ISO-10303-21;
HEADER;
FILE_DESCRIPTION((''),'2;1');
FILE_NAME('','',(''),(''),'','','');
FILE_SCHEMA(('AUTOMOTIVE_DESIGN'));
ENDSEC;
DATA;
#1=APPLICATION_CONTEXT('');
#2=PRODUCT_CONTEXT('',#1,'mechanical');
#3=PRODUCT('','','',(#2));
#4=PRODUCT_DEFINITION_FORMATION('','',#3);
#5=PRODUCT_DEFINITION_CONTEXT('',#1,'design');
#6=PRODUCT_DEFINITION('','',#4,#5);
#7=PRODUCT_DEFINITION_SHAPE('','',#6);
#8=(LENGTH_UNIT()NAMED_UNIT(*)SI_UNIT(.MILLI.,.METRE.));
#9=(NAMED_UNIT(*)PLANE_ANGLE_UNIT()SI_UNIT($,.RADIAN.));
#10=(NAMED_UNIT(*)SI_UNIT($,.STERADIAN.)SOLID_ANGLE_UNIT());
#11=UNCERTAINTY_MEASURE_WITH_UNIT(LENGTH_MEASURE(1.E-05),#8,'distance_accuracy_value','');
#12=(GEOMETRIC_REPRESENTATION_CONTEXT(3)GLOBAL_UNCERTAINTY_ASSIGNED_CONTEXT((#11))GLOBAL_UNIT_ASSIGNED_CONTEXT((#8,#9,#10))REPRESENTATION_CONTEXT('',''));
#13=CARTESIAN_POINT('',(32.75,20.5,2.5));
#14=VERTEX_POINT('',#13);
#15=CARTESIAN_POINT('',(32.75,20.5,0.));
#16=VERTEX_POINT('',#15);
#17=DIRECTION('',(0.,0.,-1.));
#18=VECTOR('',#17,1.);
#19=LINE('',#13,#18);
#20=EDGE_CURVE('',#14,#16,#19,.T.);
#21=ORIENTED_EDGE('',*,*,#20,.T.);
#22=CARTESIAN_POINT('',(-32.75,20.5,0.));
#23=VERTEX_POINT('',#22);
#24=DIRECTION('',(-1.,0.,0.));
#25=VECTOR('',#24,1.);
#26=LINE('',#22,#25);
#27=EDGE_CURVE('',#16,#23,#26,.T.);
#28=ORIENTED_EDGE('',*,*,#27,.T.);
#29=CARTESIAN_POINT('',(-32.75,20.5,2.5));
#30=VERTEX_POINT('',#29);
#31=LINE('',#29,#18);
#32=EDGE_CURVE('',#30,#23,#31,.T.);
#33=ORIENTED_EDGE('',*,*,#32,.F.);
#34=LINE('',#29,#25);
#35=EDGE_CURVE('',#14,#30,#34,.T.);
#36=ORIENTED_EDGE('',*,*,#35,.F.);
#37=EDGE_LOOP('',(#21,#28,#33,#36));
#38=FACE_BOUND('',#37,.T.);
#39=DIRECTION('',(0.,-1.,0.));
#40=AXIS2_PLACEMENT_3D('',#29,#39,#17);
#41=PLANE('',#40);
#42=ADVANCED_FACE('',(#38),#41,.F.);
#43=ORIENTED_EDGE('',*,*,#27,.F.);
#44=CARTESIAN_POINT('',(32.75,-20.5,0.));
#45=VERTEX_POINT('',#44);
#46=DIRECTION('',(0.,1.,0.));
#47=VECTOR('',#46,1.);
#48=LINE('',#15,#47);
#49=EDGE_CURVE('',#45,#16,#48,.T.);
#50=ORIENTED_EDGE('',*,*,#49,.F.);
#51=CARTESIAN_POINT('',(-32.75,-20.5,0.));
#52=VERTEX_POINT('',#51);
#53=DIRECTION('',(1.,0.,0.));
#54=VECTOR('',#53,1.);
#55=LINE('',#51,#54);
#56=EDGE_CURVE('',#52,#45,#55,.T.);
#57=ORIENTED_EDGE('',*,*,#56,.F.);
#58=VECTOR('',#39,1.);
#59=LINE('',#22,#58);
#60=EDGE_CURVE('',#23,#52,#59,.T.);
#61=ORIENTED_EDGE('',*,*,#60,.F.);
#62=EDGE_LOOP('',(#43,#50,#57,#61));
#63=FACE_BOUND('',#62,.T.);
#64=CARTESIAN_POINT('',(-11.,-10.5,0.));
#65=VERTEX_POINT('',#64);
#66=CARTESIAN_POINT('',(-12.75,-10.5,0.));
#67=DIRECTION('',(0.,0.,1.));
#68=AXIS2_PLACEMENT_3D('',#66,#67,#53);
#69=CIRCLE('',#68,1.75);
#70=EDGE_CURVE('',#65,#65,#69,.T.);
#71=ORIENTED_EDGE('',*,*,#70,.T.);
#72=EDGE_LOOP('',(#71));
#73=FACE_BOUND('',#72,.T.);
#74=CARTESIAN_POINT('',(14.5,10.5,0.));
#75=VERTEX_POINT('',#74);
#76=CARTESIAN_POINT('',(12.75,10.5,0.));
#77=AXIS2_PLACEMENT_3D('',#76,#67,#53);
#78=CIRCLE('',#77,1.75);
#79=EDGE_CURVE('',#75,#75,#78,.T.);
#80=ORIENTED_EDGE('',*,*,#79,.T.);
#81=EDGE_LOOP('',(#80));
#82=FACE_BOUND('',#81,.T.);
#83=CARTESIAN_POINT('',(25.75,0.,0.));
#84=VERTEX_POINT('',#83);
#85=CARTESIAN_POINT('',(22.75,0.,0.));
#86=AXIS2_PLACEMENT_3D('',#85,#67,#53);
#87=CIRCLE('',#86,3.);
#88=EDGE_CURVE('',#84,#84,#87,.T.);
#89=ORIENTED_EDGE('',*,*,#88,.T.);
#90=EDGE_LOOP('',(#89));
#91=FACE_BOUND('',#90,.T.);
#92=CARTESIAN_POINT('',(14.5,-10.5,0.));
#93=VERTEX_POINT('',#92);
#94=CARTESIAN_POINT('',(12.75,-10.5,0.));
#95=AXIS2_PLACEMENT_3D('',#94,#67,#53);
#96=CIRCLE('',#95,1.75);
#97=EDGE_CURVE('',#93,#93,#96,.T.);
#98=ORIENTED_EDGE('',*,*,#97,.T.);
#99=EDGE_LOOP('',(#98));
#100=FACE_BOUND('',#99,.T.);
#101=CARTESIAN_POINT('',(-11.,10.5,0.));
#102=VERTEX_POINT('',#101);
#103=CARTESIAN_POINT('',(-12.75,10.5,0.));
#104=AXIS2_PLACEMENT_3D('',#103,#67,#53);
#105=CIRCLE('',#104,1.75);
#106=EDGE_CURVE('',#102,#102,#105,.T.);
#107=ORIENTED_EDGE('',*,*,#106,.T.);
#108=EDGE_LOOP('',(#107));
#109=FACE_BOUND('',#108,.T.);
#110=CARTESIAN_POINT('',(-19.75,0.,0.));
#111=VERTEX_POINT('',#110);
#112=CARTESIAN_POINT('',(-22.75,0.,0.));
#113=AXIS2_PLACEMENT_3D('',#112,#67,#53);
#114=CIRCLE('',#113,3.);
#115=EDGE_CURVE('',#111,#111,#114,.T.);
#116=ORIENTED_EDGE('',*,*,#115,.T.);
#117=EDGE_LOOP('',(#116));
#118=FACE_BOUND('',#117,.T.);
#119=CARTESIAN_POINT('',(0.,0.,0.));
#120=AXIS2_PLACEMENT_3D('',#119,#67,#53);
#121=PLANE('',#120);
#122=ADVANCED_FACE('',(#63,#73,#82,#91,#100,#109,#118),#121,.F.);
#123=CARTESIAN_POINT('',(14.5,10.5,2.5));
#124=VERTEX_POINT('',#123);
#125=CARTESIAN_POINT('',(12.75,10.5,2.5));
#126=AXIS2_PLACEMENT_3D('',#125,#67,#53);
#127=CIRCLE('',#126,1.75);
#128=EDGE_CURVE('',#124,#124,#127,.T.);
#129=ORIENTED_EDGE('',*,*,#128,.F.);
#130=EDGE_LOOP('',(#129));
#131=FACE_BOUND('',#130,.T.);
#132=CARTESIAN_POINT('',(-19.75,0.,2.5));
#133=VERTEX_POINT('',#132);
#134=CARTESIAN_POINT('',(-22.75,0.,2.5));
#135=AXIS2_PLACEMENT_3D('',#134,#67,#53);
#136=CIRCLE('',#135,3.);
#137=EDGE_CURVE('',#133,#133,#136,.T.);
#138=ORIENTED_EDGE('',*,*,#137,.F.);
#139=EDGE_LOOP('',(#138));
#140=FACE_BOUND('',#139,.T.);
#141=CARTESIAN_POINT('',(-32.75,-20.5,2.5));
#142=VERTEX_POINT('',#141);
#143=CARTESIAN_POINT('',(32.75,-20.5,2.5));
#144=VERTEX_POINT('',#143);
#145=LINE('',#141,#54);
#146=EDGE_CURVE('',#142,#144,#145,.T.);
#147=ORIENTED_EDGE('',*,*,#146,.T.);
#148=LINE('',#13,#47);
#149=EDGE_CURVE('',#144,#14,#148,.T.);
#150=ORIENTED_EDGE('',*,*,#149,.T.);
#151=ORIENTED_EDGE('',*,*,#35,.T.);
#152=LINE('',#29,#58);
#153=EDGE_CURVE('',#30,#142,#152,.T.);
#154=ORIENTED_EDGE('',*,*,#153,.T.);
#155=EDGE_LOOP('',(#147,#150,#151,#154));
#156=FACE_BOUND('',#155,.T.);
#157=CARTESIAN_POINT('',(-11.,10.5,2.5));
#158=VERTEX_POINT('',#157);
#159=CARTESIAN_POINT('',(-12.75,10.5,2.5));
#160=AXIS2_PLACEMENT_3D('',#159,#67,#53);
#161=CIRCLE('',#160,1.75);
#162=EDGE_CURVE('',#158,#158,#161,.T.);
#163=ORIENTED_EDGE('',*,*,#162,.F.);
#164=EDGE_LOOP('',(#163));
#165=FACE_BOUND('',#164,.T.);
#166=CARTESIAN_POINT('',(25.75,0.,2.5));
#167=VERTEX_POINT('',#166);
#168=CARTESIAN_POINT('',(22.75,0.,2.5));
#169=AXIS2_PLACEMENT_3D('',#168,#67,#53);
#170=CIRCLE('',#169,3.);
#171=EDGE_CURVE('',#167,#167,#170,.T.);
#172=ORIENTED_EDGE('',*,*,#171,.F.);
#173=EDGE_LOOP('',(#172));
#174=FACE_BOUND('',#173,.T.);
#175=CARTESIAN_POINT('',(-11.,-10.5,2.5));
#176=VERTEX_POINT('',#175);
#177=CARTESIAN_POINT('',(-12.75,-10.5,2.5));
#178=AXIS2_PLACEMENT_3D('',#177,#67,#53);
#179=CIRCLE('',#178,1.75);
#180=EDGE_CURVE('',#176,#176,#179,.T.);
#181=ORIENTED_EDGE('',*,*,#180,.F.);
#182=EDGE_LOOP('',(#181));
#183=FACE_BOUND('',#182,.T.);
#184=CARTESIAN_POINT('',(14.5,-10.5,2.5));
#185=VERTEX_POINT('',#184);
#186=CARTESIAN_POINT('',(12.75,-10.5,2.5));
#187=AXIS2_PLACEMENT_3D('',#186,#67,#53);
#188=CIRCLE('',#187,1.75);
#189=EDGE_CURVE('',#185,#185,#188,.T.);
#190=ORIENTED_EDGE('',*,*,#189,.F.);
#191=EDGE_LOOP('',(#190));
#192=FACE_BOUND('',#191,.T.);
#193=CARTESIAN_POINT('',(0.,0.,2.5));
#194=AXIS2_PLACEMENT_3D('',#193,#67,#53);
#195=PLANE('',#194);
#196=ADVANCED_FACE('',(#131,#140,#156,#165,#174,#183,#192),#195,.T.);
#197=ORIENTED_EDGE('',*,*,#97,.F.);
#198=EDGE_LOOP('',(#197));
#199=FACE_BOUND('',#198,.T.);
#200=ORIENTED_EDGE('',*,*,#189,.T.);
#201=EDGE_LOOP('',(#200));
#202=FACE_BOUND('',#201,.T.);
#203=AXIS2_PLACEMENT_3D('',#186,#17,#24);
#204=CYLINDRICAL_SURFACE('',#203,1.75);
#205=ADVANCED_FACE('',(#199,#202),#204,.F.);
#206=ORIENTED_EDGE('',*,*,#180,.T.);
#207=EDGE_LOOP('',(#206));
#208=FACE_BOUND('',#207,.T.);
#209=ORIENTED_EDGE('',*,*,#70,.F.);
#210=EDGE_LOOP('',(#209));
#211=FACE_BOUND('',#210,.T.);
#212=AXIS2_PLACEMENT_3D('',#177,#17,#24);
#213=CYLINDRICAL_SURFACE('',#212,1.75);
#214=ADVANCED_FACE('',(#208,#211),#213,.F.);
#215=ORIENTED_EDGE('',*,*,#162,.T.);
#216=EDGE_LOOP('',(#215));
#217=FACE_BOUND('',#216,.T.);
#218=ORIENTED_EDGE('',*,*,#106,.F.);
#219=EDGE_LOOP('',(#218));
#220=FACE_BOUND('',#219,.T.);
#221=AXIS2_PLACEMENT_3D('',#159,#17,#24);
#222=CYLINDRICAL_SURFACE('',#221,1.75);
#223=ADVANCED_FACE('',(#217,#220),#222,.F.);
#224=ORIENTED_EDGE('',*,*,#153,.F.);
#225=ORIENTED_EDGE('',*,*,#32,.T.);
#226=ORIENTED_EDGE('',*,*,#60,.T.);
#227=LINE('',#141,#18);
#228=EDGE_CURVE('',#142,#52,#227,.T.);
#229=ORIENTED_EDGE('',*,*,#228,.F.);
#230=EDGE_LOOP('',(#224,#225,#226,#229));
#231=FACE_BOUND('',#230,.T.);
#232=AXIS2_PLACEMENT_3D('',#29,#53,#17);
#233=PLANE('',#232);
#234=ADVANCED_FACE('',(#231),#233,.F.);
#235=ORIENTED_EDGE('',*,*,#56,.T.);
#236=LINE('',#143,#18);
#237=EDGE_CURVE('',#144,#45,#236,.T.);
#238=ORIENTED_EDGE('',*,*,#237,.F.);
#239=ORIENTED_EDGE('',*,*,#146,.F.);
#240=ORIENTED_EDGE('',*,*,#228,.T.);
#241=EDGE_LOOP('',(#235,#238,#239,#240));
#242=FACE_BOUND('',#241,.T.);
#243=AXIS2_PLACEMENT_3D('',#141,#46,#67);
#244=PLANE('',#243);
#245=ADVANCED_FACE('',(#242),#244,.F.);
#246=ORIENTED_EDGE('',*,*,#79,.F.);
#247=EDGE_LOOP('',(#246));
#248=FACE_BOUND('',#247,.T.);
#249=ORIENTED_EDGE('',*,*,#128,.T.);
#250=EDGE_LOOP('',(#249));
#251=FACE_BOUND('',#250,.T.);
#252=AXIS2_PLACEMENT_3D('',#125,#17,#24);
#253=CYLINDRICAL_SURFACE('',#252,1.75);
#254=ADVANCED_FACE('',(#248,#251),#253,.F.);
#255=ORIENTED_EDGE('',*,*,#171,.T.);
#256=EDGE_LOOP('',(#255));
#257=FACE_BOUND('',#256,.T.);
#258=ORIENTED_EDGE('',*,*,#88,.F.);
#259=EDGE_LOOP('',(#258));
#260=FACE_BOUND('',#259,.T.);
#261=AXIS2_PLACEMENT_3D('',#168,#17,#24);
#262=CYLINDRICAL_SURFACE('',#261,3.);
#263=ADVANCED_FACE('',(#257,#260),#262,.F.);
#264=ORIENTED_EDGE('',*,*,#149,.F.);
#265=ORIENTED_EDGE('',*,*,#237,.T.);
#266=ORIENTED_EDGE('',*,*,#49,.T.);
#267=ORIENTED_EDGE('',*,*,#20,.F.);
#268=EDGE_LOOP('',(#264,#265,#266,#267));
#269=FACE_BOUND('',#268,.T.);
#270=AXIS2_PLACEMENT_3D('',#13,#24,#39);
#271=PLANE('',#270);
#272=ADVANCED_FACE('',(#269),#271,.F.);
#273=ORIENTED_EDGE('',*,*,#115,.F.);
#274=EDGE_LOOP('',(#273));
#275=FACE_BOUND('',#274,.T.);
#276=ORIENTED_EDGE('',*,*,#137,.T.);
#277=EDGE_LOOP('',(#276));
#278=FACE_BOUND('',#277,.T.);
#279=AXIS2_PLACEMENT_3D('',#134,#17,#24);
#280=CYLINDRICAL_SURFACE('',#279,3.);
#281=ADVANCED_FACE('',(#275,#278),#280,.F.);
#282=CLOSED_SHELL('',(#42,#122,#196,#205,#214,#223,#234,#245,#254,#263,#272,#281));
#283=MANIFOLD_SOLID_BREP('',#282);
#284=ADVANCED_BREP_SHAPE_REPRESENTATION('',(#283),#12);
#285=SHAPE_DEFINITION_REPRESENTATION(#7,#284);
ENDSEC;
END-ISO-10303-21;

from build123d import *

# Parameters (mm, degrees)
SKETCH1_W           = 65.5
SKETCH1_H           = 41
SKETCH1_R           = 3
SKETCH1_R_2         = 1.75
BOSS_EXTRUDE1_DEPTH = 2.5


with BuildPart() as part:
    # Sketch1 → Boss-Extrude1 (new body)
    with BuildSketch(Plane.XY):
        Rectangle(SKETCH1_W, SKETCH1_H)
        with Locations((-22.75, 0)):
            Circle(SKETCH1_R, mode=Mode.SUBTRACT)
        with Locations((22.75, 0)):
            Circle(SKETCH1_R, mode=Mode.SUBTRACT)
        with Locations((-12.75, 10.5)):
            Circle(SKETCH1_R_2, mode=Mode.SUBTRACT)
        with Locations((12.75, 10.5)):
            Circle(SKETCH1_R_2, mode=Mode.SUBTRACT)
        with Locations((12.75, -10.5)):
            Circle(SKETCH1_R_2, mode=Mode.SUBTRACT)
        with Locations((-12.75, -10.5)):
            Circle(SKETCH1_R_2, mode=Mode.SUBTRACT)
    extrude(amount=BOSS_EXTRUDE1_DEPTH)


solid = part.part
